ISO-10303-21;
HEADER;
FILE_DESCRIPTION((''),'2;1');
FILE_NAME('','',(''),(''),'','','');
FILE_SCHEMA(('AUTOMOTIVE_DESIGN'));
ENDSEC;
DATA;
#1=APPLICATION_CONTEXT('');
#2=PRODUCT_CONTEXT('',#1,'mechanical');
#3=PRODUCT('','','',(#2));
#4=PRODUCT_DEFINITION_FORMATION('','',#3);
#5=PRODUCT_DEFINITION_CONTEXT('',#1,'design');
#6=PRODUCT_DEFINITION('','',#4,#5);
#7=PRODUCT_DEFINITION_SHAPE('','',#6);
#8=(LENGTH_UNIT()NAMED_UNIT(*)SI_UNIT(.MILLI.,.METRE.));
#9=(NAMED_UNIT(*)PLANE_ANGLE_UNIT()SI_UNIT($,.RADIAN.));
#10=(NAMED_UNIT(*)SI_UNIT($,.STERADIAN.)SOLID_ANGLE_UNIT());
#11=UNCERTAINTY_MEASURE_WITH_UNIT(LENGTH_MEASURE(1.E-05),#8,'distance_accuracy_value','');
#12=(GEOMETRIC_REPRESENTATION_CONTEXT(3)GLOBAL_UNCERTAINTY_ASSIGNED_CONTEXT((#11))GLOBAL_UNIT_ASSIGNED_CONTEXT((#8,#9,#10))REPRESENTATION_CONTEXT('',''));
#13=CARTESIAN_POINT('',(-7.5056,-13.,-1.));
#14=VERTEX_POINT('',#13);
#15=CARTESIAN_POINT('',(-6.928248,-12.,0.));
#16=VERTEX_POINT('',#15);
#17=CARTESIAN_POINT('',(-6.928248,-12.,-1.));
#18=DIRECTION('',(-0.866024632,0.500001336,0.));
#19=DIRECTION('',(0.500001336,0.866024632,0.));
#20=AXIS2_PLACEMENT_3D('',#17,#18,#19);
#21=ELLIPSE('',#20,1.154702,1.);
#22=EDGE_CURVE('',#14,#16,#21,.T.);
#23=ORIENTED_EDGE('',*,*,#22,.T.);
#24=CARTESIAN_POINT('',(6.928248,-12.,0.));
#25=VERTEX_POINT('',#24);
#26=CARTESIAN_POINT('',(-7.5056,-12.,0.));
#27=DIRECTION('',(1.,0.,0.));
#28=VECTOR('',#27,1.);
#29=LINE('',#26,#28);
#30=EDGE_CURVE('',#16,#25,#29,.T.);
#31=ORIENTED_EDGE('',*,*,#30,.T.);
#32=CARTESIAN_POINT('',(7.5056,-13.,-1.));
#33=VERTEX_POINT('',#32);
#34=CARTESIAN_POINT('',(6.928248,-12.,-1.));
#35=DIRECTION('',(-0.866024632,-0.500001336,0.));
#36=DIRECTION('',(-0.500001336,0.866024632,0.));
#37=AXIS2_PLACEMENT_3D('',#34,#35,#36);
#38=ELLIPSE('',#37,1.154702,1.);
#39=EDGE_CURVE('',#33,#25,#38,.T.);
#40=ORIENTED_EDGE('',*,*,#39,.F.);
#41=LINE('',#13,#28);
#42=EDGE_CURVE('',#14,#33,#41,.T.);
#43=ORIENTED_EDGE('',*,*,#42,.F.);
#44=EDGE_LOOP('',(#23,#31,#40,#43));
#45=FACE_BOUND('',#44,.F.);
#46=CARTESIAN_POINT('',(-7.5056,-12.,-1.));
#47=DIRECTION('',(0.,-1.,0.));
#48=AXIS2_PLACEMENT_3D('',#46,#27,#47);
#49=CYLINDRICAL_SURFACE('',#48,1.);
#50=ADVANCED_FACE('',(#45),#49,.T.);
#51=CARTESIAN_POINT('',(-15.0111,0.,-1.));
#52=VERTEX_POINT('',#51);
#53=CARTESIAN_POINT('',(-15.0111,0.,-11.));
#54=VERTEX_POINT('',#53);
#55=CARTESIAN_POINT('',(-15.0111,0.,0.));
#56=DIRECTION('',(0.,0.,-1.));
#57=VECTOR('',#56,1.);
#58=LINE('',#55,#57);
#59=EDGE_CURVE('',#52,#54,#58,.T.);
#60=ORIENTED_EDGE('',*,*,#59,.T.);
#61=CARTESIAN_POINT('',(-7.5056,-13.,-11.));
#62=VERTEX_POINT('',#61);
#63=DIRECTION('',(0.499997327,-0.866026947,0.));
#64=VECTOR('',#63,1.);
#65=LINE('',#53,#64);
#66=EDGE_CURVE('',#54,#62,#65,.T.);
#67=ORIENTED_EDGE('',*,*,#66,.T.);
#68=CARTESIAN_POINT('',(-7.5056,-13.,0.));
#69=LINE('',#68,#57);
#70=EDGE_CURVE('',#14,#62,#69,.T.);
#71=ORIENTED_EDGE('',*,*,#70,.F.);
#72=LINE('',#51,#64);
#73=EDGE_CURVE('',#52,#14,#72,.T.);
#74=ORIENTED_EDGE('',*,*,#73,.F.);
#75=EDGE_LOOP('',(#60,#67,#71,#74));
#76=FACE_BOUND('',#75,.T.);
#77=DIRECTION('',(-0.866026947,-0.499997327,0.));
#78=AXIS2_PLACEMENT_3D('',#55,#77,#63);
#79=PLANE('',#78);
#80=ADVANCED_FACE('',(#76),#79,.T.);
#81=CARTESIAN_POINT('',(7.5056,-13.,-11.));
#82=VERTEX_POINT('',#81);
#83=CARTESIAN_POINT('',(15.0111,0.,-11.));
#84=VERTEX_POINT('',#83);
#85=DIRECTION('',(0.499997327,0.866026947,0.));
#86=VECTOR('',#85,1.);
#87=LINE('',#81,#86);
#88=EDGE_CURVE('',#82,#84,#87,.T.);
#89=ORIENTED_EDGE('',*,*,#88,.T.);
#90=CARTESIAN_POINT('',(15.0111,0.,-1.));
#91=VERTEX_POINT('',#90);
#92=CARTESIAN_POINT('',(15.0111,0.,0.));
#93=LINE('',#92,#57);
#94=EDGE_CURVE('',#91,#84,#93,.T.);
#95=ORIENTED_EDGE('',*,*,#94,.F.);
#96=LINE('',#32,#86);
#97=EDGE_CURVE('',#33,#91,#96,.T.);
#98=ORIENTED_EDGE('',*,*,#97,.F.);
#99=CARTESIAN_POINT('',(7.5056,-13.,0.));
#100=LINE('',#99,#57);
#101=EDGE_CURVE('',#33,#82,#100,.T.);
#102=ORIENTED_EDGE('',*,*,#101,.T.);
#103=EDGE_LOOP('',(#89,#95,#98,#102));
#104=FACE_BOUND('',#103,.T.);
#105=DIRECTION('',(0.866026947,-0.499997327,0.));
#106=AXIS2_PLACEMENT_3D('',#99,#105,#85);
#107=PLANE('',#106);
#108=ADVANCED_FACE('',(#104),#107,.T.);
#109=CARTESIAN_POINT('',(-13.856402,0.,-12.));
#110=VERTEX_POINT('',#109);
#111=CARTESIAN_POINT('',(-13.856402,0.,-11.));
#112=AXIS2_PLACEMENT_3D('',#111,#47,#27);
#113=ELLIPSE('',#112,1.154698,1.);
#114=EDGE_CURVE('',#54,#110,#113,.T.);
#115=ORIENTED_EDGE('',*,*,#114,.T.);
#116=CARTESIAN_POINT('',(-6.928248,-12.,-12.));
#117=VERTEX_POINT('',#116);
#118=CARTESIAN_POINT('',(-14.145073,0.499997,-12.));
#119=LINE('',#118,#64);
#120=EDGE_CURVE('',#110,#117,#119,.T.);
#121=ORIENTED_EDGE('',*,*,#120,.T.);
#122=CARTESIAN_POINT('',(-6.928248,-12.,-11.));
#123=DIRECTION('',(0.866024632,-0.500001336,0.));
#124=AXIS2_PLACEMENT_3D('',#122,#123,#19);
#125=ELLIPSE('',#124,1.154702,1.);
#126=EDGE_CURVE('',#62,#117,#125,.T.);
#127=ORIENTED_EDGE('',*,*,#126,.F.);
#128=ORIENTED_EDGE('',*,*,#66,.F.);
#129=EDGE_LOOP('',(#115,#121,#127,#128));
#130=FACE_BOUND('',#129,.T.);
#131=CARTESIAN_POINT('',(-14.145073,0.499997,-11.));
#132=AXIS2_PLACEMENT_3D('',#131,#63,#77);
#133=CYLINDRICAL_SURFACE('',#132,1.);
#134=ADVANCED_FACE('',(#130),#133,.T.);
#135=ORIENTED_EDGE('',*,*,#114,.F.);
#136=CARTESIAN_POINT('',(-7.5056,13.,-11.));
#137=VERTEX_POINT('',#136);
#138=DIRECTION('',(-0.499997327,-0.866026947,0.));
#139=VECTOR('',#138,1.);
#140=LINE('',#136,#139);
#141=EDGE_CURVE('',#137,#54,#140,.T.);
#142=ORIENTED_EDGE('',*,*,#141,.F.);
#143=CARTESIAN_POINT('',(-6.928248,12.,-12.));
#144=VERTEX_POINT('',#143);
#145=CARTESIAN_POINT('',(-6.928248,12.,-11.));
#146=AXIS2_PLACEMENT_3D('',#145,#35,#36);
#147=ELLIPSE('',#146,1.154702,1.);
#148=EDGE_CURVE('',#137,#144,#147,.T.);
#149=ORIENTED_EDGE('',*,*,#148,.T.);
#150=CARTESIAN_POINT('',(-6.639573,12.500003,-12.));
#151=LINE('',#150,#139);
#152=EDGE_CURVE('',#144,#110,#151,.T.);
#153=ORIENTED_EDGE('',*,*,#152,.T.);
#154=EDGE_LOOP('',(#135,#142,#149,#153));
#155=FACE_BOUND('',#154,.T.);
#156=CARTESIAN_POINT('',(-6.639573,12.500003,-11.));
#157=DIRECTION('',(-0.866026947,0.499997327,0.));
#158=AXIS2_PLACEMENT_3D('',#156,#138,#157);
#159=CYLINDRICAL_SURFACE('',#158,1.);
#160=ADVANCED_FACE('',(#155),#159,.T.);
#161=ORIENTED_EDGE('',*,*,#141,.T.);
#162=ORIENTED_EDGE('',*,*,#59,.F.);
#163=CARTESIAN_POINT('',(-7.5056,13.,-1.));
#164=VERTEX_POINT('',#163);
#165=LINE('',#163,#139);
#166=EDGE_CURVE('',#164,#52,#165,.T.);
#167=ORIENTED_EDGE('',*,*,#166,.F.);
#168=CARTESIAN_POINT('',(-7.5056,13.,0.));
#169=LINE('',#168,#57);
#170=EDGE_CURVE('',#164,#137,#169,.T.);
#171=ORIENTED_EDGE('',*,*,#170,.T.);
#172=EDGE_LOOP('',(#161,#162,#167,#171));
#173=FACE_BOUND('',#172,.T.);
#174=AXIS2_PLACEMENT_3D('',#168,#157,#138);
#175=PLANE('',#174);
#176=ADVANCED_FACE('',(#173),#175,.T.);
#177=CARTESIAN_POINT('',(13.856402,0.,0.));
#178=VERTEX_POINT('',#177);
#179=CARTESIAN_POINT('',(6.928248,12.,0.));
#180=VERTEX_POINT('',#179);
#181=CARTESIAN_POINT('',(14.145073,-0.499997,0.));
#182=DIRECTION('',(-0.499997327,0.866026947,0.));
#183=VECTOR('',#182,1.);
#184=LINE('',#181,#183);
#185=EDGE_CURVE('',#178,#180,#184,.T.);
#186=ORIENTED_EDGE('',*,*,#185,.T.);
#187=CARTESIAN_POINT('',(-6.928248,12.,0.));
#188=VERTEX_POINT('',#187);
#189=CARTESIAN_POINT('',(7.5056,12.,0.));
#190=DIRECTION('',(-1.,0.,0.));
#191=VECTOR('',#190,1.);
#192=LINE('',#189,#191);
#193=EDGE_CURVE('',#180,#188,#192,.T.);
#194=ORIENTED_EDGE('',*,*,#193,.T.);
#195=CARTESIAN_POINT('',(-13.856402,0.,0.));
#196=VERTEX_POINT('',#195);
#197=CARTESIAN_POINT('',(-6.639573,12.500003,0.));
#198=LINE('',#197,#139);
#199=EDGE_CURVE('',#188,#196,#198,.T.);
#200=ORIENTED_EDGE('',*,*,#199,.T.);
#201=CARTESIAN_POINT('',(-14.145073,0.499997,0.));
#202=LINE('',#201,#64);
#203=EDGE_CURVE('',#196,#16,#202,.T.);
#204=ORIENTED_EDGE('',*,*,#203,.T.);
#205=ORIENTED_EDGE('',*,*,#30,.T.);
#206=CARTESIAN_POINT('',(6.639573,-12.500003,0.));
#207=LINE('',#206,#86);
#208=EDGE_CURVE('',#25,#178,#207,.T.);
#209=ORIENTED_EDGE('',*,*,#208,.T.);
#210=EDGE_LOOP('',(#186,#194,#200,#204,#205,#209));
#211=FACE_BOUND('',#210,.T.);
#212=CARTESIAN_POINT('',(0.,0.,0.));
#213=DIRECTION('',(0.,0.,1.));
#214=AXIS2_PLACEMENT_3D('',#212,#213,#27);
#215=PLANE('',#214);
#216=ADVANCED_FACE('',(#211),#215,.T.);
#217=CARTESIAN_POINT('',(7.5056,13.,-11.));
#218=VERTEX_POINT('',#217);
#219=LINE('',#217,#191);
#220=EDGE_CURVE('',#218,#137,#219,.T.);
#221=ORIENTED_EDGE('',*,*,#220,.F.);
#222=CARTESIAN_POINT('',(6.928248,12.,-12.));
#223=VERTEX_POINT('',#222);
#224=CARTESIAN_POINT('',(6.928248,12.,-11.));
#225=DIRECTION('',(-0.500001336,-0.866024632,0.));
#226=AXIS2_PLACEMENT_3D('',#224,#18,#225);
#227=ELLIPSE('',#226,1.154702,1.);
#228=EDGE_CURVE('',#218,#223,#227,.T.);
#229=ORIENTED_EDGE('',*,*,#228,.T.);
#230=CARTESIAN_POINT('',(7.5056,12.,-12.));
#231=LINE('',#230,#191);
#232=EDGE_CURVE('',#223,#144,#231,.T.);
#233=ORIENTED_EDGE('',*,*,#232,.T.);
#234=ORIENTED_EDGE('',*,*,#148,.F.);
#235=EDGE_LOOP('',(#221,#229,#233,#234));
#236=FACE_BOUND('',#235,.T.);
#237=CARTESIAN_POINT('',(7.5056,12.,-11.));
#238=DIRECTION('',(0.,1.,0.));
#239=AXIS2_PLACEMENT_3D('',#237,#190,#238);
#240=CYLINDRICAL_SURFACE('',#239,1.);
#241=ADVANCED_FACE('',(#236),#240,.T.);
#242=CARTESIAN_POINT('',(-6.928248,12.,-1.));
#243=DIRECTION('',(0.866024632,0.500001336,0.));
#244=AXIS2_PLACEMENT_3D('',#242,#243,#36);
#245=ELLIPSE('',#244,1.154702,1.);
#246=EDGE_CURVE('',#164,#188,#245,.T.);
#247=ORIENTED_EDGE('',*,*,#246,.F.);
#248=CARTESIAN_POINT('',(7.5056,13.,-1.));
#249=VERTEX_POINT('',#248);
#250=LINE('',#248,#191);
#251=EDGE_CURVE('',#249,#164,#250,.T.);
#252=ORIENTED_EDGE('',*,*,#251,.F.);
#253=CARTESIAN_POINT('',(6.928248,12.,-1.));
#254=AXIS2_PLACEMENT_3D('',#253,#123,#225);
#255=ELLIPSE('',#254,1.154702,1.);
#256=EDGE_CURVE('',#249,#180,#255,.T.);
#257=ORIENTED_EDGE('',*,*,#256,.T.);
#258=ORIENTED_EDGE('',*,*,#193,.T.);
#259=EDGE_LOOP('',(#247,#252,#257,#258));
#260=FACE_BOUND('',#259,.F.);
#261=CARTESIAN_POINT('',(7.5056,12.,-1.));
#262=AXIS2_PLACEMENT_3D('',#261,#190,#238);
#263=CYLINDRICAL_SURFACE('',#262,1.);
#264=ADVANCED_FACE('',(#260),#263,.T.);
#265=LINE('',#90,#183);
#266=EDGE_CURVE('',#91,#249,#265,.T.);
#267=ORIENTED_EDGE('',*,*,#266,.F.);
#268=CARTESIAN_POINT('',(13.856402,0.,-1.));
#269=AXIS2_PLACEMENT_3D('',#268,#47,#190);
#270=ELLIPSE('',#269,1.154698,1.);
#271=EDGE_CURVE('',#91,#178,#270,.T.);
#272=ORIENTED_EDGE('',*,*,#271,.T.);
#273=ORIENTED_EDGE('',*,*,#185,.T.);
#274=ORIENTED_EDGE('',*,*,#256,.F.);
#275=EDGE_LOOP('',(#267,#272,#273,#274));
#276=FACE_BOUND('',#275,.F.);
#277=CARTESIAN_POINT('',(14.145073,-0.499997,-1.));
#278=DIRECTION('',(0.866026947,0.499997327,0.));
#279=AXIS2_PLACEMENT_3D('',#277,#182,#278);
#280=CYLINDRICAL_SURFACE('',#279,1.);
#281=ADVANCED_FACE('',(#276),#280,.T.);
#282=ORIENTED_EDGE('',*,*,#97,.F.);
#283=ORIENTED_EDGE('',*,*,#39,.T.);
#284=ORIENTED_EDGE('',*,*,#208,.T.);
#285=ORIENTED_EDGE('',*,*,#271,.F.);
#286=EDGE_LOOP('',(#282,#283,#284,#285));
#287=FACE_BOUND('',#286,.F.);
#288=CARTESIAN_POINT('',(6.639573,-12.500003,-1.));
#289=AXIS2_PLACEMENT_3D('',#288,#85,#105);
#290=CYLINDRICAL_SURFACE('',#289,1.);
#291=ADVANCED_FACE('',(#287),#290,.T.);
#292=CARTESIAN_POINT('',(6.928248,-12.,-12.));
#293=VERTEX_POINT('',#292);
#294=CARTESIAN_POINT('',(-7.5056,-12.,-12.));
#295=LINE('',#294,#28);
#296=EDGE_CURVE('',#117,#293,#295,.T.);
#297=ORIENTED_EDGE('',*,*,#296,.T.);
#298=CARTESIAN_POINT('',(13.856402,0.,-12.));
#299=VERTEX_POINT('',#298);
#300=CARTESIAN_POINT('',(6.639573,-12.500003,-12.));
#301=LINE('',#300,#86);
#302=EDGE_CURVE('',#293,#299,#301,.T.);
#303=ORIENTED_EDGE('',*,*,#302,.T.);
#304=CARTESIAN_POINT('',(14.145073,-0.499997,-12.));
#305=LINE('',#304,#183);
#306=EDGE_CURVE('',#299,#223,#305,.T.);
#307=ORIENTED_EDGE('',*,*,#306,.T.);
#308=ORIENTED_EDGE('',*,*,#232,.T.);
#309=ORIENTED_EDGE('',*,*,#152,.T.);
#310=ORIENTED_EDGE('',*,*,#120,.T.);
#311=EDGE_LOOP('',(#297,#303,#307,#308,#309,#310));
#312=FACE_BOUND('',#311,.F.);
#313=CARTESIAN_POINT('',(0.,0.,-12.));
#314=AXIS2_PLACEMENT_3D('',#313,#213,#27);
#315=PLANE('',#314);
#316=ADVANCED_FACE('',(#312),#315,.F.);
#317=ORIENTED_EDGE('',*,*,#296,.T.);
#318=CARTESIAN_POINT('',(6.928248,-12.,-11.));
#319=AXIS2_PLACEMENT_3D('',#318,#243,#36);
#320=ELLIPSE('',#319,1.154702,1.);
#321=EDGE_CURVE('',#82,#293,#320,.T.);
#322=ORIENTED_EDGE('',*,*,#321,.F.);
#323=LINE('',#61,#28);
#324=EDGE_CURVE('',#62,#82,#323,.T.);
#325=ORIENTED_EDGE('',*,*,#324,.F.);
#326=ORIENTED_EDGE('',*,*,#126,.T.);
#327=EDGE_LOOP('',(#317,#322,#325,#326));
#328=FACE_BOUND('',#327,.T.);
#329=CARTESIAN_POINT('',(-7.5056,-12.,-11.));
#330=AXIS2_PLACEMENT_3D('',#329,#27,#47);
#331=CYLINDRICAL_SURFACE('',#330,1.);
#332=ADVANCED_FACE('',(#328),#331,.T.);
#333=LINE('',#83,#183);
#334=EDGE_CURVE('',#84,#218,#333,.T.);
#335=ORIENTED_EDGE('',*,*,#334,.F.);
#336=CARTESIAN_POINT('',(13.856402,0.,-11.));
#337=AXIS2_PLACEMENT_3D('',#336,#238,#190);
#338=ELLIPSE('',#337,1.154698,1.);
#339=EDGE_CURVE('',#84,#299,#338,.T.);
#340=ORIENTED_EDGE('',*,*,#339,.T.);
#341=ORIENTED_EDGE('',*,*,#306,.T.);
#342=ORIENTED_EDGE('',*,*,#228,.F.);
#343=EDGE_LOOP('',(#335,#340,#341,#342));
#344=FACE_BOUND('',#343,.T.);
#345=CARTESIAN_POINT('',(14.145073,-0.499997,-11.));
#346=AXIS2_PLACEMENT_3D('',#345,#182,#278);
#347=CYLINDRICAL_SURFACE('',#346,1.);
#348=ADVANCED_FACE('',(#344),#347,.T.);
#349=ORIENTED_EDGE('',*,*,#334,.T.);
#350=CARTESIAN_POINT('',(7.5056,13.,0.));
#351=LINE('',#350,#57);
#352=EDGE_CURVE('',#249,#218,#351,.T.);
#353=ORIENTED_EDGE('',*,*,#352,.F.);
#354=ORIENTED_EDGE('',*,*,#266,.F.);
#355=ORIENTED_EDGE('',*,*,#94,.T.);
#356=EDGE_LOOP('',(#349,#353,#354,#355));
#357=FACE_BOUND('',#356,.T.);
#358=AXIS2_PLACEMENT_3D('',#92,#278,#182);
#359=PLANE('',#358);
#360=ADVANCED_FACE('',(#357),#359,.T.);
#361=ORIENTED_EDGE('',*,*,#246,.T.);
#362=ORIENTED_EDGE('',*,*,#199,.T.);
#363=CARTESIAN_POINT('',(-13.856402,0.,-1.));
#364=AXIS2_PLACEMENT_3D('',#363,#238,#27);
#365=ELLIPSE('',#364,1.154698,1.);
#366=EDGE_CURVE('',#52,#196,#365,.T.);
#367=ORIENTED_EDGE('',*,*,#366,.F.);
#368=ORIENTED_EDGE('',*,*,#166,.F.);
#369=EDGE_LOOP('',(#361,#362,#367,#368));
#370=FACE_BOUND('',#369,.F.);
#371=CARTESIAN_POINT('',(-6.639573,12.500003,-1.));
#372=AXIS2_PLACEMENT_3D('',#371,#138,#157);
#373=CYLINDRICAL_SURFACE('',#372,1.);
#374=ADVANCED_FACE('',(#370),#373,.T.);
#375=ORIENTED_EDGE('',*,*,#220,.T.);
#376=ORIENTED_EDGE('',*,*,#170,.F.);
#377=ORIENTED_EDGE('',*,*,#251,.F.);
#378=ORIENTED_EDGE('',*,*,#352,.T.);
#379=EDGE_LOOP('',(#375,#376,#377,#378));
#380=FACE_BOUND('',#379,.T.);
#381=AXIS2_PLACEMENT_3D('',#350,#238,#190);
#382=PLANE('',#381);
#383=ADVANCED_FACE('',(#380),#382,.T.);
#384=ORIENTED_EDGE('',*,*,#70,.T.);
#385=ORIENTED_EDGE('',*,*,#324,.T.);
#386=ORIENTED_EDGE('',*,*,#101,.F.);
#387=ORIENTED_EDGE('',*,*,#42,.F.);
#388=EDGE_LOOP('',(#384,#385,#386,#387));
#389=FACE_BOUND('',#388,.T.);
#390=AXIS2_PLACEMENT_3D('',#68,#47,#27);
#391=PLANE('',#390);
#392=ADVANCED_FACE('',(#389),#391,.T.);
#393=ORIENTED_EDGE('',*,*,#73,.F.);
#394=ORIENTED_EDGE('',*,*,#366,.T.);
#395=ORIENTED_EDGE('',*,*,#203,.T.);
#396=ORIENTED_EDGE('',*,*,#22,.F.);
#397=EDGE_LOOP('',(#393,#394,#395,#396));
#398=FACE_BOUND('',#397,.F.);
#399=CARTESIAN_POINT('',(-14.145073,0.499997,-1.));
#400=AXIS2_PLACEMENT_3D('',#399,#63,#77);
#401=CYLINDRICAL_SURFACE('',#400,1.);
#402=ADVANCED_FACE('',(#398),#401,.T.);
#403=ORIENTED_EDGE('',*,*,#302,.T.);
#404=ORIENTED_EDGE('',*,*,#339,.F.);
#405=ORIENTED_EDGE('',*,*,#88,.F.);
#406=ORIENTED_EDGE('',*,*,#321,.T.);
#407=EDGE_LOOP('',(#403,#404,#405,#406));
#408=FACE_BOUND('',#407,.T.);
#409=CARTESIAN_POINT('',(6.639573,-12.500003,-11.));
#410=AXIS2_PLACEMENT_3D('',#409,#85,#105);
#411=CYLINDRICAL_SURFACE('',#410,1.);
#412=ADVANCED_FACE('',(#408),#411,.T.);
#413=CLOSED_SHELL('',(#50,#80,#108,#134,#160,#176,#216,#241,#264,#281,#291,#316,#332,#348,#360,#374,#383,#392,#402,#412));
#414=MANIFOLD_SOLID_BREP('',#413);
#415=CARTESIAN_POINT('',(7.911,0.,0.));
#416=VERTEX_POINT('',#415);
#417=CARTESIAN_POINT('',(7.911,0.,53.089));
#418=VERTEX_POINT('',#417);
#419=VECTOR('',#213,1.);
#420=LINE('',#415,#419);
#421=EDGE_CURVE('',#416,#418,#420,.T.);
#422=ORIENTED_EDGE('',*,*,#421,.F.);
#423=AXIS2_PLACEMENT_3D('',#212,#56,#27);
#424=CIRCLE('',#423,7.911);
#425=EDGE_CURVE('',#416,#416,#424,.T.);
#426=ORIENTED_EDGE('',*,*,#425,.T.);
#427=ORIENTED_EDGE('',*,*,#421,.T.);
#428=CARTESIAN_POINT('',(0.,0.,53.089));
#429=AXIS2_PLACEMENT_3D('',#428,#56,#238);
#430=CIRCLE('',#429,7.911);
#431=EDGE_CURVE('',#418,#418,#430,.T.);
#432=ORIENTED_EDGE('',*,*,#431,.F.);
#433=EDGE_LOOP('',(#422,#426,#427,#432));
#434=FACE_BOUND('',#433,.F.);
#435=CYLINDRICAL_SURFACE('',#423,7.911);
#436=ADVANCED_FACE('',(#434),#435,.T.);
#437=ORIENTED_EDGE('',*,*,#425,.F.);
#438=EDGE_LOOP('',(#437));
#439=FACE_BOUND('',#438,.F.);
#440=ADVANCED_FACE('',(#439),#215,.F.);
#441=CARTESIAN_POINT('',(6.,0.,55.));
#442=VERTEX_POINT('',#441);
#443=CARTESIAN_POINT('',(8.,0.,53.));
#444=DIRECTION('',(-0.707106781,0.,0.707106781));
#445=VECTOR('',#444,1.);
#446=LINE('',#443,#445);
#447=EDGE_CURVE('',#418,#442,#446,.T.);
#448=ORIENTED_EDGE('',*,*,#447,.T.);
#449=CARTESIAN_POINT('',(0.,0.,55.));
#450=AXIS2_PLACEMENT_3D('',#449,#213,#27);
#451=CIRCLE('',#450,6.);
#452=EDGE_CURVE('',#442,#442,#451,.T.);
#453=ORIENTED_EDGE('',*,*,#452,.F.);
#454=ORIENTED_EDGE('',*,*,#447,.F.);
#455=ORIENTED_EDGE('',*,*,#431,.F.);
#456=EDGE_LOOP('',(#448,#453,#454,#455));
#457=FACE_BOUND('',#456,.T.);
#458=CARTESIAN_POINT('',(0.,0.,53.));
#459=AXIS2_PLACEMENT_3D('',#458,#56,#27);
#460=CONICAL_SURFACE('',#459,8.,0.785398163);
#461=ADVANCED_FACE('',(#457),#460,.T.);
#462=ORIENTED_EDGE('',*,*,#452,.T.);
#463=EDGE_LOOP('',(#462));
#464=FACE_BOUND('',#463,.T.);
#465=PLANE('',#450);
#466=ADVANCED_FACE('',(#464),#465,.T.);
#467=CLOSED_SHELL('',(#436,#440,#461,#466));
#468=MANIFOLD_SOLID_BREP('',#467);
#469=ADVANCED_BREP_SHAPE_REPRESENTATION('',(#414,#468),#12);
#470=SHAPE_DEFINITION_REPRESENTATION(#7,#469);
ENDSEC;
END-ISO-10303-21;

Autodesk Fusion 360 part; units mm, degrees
sketch "Sketch1" plane through (0, 0, 0) normal (0, 0, 1) x (1, 0, 0)
  circle A0 centre (0, 0) radius 8
  line L0 (0, 0) -> (0, 8) construction
  line L1 (0, 0) -> (-8, 0) construction
  line L2 (0, 0) -> (8, 0) construction
  line L3 (0, 0) -> (0, -8) construction
  line L4 (-4.6188, 8) -> (-9.2376, 0) construction
  line L5 (-9.2376, 0) -> (-4.6188, -8) construction
  line L6 (-4.6188, -8) -> (4.6188, -8) construction
  line L7 (4.6188, -8) -> (9.2376, 0) construction
  line L8 (9.2376, 0) -> (4.6188, 8) construction
  line L9 (4.6188, 8) -> (-4.6188, 8) construction
  line L10 (-7.5056, -13) -> (7.5056, -13)
  line L11 (7.5056, -13) -> (15.0111, 0)
  line L12 (15.0111, 0) -> (7.5056, 13)
  line L13 (7.5056, 13) -> (-7.5056, 13)
  line L14 (-7.5056, 13) -> (-15.0111, 0)
  line L15 (-15.0111, 0) -> (-7.5056, -13)
  dimension "d1" = 16
  dimension "d4" = 5
extrude "Extrude1" add sketch "Sketch1" along normal blind 55 contours A0 makes body 1
extrude "Extrude2" add sketch "Sketch1" against normal blind 12 separate body contours A0 | L10 L11 L12 L13 L14 L15 makes body 2
chamfer "Chamfer1" distance 2 angle 45 1 edges at (-7.4586, -2.8929, 55) on bodies 1
fillet "Fillet1" radius 1 12 edges at (0, 13, 0) (11.2583, 6.5, 0) (0, 13, -12) (11.2583, 6.5, -12) (11.2583, -6.5, 0) (11.2583, -6.5, -12) (0, -13, 0) (0, -13, -12) (-11.2583, -6.5, 0) (-11.2583, -6.5, -12) (-11.2583, 6.5, 0) (-11.2583, 6.5, -12) on bodies 2
thread "Thread1" "ISO Metric profile 16.0 M16x2 6g" major diameter 15.822 minor diameter 13.534 pitch 2 angle 60 resizes the face on face at (7.9901, -0.3988, 35.3333) on bodies 1
